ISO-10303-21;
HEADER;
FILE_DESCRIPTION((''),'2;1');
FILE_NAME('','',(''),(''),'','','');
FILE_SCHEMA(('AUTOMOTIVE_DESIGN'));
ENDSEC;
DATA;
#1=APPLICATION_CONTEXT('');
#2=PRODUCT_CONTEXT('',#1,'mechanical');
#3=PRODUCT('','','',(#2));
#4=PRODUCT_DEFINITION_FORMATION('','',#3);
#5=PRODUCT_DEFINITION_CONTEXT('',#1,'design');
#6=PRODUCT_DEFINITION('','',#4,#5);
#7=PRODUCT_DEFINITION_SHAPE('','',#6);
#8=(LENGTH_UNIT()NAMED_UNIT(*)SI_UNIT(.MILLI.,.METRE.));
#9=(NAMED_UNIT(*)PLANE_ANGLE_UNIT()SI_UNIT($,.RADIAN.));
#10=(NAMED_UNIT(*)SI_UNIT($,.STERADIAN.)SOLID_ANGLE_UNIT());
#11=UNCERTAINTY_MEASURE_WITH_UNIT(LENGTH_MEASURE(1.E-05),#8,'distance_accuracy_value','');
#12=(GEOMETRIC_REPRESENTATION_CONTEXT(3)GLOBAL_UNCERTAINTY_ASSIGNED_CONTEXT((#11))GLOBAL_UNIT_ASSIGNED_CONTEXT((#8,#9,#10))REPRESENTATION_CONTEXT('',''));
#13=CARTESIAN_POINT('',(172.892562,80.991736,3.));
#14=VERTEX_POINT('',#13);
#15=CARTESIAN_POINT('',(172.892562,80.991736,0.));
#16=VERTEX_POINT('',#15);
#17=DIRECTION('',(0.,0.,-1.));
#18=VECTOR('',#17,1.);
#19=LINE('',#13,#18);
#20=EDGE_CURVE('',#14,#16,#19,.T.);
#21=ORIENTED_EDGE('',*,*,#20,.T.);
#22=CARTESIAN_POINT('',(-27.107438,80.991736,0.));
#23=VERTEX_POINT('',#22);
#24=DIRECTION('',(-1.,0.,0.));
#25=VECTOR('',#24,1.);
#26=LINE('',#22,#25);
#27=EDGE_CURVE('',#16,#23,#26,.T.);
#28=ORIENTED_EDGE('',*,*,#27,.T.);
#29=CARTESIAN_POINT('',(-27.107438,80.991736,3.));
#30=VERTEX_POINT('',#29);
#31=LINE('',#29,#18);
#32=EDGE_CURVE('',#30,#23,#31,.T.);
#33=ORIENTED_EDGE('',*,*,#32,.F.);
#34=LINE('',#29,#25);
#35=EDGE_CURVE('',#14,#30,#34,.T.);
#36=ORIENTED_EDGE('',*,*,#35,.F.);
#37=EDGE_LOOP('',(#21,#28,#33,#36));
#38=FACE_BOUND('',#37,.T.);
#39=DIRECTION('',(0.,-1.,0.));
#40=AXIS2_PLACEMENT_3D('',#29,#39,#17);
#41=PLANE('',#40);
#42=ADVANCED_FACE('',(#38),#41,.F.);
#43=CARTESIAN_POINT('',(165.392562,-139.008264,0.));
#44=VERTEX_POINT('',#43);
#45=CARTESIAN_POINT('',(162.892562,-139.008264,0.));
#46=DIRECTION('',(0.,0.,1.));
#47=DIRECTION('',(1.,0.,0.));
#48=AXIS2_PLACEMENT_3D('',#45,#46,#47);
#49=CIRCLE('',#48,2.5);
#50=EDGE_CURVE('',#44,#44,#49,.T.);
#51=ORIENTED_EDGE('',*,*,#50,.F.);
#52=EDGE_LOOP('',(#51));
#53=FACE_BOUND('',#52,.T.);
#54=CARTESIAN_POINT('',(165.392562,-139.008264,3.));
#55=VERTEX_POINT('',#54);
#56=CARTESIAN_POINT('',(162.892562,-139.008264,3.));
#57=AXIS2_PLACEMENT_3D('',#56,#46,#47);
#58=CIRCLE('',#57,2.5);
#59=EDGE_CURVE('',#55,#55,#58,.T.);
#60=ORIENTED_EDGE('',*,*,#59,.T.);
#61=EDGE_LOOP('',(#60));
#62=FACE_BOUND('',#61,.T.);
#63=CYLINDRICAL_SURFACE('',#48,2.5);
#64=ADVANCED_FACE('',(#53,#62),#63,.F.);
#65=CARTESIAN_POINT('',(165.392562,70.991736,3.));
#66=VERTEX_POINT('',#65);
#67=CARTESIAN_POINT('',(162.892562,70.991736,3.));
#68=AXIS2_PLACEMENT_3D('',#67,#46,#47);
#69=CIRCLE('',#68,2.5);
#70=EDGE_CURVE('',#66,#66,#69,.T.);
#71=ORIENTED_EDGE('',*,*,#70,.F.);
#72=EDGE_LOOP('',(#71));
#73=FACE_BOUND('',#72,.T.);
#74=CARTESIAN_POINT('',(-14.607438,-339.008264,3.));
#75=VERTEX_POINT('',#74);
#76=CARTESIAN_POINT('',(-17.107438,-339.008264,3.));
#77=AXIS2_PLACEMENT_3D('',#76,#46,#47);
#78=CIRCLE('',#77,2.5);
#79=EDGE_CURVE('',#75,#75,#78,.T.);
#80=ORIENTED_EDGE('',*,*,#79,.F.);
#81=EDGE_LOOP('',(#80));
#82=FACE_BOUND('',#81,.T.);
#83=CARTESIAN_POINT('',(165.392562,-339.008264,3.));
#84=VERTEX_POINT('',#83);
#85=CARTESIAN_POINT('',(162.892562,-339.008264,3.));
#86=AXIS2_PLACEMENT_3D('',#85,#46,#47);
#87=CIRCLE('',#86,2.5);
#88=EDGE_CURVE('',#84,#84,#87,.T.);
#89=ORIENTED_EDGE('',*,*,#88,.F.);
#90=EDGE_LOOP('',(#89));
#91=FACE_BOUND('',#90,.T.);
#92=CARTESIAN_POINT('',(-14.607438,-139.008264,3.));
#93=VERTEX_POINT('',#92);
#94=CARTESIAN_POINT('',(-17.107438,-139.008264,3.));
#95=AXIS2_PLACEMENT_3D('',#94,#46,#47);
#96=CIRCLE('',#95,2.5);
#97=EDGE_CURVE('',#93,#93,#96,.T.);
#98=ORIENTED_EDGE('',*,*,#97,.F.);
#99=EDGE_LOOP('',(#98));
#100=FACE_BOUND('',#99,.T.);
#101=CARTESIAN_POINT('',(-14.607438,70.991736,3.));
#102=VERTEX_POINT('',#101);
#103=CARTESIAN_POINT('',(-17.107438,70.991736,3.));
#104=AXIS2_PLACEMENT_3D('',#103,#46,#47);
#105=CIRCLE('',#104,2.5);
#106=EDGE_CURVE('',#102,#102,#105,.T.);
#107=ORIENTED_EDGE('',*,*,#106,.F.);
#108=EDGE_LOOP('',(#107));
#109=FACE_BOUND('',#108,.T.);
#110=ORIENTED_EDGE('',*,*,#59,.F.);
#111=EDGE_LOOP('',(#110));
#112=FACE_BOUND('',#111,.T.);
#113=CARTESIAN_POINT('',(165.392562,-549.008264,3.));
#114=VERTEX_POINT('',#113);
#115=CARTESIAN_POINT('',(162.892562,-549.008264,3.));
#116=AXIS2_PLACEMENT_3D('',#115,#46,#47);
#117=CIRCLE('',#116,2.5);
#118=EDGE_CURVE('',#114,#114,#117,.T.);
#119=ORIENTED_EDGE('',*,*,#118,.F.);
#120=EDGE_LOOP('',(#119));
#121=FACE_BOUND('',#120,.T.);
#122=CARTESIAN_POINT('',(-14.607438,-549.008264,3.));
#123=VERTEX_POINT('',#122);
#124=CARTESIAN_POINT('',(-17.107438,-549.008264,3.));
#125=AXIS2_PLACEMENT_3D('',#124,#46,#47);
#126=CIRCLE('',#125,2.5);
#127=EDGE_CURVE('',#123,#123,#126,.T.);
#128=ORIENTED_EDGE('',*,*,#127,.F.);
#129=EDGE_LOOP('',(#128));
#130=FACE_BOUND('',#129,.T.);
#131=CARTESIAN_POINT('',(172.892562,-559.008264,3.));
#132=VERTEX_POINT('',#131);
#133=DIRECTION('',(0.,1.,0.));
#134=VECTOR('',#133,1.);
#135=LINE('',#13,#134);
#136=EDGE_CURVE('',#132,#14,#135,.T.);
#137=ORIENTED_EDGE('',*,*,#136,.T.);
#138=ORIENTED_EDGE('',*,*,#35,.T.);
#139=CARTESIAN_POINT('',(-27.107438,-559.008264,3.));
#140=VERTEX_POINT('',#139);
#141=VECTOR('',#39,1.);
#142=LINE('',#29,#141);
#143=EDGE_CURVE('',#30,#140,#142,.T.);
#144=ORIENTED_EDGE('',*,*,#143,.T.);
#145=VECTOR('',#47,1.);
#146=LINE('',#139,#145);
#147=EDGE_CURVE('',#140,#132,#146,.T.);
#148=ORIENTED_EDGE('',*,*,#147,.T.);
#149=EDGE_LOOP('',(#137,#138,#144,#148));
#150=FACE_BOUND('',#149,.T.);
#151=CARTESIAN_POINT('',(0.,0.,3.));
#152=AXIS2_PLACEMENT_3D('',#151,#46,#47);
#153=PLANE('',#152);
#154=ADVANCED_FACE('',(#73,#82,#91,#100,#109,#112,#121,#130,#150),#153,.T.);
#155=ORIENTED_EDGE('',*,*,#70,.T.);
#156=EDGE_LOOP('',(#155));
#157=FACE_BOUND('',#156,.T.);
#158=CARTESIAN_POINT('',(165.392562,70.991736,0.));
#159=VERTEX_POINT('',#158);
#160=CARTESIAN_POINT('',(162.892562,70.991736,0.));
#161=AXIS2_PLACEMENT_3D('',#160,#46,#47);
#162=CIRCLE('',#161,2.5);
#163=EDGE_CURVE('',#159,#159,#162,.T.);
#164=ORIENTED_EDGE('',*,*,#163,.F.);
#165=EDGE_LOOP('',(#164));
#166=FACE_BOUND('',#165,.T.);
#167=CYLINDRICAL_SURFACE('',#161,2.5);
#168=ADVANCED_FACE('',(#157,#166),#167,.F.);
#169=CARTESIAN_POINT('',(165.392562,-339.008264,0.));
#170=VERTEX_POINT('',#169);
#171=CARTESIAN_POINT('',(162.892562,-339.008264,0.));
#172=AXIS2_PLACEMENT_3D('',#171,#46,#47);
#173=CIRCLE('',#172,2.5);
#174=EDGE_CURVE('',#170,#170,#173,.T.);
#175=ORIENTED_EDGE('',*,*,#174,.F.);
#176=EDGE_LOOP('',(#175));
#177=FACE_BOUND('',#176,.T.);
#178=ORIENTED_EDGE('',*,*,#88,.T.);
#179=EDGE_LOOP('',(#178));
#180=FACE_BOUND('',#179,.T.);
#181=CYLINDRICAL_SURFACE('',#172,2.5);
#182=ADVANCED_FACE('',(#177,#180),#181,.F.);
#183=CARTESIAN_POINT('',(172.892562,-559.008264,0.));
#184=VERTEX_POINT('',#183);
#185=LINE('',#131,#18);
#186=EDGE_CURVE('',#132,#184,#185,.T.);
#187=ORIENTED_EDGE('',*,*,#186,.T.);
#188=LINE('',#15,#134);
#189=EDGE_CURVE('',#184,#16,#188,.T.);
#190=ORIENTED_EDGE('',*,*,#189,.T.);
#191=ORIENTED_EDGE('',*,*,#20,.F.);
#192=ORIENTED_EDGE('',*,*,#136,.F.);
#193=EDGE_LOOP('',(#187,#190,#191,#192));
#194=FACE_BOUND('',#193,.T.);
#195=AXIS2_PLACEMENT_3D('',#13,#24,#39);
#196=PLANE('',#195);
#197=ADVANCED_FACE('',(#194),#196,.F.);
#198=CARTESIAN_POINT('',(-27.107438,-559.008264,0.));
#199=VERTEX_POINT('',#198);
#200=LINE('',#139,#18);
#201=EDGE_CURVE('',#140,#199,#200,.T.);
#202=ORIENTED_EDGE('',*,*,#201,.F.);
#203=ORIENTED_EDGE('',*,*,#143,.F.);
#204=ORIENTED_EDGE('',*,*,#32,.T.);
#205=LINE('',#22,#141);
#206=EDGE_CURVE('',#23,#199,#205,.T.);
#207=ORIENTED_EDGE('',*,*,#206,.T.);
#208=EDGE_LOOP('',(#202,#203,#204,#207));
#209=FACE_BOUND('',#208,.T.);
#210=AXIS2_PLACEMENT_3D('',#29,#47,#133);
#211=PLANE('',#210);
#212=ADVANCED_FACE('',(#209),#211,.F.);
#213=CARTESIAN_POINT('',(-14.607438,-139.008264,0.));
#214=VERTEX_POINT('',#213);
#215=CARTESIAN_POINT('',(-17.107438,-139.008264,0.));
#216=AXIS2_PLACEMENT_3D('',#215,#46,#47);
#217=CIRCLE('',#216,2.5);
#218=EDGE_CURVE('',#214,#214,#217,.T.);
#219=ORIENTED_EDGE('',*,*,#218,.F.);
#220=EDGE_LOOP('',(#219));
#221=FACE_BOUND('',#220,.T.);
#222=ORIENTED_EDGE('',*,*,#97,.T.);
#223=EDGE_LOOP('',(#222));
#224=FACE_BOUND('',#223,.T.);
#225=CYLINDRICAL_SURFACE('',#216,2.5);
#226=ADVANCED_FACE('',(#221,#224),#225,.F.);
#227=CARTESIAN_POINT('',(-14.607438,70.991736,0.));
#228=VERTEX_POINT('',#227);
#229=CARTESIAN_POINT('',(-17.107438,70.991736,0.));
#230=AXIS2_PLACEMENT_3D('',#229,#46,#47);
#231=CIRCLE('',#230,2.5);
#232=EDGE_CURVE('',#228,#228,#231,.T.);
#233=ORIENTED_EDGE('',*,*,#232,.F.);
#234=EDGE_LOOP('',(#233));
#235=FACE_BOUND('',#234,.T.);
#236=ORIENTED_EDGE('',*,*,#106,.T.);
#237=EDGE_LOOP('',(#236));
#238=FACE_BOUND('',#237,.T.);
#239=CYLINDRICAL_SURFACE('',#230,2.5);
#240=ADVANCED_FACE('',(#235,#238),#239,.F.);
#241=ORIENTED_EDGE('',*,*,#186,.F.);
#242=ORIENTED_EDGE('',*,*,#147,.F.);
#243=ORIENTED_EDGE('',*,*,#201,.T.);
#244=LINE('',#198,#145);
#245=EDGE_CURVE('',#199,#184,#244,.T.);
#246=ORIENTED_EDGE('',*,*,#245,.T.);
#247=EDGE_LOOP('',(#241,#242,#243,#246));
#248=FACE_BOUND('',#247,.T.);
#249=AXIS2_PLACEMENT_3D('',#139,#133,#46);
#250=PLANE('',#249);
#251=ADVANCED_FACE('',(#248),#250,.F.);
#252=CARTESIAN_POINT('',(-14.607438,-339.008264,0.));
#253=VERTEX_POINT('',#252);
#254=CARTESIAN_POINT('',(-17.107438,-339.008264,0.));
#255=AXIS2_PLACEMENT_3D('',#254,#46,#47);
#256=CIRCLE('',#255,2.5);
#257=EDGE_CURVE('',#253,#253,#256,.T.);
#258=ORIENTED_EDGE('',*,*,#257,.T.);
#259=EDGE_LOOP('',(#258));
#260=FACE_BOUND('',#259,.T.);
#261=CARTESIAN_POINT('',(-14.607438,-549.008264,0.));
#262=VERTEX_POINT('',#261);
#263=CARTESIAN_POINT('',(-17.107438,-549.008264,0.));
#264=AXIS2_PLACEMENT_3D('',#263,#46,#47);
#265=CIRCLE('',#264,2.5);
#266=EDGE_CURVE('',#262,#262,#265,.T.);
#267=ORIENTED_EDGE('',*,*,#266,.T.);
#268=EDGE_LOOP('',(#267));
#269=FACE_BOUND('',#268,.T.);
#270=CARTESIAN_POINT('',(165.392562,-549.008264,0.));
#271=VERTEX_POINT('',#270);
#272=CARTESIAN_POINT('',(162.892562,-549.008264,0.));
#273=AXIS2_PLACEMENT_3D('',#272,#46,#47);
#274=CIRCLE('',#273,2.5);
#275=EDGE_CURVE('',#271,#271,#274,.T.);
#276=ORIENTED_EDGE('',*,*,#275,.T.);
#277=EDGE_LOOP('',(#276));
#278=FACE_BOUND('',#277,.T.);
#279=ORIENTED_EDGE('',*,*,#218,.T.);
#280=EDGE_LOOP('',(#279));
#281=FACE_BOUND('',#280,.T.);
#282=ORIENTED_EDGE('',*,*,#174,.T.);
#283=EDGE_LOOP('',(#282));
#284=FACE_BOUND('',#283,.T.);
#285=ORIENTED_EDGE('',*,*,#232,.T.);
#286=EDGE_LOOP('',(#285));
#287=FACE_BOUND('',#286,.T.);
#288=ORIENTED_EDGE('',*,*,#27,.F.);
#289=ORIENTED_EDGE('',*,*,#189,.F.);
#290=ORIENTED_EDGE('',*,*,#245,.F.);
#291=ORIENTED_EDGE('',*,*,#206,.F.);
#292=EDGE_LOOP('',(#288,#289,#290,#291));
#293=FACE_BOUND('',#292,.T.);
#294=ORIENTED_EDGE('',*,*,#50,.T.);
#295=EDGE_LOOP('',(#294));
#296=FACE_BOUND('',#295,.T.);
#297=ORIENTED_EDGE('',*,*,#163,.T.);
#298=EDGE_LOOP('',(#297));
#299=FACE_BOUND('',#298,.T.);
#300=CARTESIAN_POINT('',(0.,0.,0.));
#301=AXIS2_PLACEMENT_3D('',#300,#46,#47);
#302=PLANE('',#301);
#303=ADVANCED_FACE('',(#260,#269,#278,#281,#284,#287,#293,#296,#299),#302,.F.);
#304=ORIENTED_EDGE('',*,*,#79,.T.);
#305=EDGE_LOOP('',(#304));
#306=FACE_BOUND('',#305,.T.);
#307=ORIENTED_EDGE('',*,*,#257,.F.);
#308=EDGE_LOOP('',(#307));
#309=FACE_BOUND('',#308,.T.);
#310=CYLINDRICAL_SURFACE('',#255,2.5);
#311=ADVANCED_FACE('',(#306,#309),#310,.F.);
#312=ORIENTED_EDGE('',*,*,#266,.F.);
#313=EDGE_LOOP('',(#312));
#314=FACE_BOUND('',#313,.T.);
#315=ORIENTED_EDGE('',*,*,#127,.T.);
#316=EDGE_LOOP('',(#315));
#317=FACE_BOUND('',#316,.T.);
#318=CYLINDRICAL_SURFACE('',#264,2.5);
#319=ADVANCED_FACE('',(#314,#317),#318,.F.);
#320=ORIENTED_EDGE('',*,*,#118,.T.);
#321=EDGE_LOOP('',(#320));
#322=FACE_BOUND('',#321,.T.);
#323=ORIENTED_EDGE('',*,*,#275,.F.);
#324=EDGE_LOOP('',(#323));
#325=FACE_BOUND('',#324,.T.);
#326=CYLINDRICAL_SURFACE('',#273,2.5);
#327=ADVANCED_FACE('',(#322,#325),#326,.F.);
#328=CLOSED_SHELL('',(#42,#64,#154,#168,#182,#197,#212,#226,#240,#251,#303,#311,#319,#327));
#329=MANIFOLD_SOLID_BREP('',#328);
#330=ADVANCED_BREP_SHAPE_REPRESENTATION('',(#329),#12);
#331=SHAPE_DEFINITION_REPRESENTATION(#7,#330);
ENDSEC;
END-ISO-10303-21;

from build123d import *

# Parameters (mm, degrees)
SKETCH2_W           = 200
SKETCH2_H           = 640
BOSS_EXTRUDE1_DEPTH = 3
SKETCH3_R           = 2.5
CUT_EXTRUDE1_DEPTH  = 586.141929558


with BuildPart() as part:
    # Sketch2 → Boss-Extrude1 (new body)
    with BuildSketch(Plane.XY):
        with Locations((72.892561983, -239.008264463)):
            Rectangle(SKETCH2_W, SKETCH2_H)
    extrude(amount=BOSS_EXTRUDE1_DEPTH)

    # Sketch3 → Cut-Extrude1 (cut, through all)
    with BuildSketch(Plane.XY.offset(3)):
        with Locations((162.892561983, -549.008264463)):
            Circle(SKETCH3_R)
        with Locations((-17.107438017, -549.008264463)):
            Circle(SKETCH3_R)
        with Locations((-17.107438017, -339.008264463)):
            Circle(SKETCH3_R)
        with Locations((-17.107438017, 70.991735537)):
            Circle(SKETCH3_R)
        with Locations((-17.107438017, -139.008264463)):
            Circle(SKETCH3_R)
        with Locations((162.892561983, 70.991735537)):
            Circle(SKETCH3_R)
        with Locations((162.892561983, -139.008264463)):
            Circle(SKETCH3_R)
        with Locations((162.892561983, -339.008264463)):
            Circle(SKETCH3_R)
    extrude(amount=-CUT_EXTRUDE1_DEPTH, mode=Mode.SUBTRACT)


solid = part.part
